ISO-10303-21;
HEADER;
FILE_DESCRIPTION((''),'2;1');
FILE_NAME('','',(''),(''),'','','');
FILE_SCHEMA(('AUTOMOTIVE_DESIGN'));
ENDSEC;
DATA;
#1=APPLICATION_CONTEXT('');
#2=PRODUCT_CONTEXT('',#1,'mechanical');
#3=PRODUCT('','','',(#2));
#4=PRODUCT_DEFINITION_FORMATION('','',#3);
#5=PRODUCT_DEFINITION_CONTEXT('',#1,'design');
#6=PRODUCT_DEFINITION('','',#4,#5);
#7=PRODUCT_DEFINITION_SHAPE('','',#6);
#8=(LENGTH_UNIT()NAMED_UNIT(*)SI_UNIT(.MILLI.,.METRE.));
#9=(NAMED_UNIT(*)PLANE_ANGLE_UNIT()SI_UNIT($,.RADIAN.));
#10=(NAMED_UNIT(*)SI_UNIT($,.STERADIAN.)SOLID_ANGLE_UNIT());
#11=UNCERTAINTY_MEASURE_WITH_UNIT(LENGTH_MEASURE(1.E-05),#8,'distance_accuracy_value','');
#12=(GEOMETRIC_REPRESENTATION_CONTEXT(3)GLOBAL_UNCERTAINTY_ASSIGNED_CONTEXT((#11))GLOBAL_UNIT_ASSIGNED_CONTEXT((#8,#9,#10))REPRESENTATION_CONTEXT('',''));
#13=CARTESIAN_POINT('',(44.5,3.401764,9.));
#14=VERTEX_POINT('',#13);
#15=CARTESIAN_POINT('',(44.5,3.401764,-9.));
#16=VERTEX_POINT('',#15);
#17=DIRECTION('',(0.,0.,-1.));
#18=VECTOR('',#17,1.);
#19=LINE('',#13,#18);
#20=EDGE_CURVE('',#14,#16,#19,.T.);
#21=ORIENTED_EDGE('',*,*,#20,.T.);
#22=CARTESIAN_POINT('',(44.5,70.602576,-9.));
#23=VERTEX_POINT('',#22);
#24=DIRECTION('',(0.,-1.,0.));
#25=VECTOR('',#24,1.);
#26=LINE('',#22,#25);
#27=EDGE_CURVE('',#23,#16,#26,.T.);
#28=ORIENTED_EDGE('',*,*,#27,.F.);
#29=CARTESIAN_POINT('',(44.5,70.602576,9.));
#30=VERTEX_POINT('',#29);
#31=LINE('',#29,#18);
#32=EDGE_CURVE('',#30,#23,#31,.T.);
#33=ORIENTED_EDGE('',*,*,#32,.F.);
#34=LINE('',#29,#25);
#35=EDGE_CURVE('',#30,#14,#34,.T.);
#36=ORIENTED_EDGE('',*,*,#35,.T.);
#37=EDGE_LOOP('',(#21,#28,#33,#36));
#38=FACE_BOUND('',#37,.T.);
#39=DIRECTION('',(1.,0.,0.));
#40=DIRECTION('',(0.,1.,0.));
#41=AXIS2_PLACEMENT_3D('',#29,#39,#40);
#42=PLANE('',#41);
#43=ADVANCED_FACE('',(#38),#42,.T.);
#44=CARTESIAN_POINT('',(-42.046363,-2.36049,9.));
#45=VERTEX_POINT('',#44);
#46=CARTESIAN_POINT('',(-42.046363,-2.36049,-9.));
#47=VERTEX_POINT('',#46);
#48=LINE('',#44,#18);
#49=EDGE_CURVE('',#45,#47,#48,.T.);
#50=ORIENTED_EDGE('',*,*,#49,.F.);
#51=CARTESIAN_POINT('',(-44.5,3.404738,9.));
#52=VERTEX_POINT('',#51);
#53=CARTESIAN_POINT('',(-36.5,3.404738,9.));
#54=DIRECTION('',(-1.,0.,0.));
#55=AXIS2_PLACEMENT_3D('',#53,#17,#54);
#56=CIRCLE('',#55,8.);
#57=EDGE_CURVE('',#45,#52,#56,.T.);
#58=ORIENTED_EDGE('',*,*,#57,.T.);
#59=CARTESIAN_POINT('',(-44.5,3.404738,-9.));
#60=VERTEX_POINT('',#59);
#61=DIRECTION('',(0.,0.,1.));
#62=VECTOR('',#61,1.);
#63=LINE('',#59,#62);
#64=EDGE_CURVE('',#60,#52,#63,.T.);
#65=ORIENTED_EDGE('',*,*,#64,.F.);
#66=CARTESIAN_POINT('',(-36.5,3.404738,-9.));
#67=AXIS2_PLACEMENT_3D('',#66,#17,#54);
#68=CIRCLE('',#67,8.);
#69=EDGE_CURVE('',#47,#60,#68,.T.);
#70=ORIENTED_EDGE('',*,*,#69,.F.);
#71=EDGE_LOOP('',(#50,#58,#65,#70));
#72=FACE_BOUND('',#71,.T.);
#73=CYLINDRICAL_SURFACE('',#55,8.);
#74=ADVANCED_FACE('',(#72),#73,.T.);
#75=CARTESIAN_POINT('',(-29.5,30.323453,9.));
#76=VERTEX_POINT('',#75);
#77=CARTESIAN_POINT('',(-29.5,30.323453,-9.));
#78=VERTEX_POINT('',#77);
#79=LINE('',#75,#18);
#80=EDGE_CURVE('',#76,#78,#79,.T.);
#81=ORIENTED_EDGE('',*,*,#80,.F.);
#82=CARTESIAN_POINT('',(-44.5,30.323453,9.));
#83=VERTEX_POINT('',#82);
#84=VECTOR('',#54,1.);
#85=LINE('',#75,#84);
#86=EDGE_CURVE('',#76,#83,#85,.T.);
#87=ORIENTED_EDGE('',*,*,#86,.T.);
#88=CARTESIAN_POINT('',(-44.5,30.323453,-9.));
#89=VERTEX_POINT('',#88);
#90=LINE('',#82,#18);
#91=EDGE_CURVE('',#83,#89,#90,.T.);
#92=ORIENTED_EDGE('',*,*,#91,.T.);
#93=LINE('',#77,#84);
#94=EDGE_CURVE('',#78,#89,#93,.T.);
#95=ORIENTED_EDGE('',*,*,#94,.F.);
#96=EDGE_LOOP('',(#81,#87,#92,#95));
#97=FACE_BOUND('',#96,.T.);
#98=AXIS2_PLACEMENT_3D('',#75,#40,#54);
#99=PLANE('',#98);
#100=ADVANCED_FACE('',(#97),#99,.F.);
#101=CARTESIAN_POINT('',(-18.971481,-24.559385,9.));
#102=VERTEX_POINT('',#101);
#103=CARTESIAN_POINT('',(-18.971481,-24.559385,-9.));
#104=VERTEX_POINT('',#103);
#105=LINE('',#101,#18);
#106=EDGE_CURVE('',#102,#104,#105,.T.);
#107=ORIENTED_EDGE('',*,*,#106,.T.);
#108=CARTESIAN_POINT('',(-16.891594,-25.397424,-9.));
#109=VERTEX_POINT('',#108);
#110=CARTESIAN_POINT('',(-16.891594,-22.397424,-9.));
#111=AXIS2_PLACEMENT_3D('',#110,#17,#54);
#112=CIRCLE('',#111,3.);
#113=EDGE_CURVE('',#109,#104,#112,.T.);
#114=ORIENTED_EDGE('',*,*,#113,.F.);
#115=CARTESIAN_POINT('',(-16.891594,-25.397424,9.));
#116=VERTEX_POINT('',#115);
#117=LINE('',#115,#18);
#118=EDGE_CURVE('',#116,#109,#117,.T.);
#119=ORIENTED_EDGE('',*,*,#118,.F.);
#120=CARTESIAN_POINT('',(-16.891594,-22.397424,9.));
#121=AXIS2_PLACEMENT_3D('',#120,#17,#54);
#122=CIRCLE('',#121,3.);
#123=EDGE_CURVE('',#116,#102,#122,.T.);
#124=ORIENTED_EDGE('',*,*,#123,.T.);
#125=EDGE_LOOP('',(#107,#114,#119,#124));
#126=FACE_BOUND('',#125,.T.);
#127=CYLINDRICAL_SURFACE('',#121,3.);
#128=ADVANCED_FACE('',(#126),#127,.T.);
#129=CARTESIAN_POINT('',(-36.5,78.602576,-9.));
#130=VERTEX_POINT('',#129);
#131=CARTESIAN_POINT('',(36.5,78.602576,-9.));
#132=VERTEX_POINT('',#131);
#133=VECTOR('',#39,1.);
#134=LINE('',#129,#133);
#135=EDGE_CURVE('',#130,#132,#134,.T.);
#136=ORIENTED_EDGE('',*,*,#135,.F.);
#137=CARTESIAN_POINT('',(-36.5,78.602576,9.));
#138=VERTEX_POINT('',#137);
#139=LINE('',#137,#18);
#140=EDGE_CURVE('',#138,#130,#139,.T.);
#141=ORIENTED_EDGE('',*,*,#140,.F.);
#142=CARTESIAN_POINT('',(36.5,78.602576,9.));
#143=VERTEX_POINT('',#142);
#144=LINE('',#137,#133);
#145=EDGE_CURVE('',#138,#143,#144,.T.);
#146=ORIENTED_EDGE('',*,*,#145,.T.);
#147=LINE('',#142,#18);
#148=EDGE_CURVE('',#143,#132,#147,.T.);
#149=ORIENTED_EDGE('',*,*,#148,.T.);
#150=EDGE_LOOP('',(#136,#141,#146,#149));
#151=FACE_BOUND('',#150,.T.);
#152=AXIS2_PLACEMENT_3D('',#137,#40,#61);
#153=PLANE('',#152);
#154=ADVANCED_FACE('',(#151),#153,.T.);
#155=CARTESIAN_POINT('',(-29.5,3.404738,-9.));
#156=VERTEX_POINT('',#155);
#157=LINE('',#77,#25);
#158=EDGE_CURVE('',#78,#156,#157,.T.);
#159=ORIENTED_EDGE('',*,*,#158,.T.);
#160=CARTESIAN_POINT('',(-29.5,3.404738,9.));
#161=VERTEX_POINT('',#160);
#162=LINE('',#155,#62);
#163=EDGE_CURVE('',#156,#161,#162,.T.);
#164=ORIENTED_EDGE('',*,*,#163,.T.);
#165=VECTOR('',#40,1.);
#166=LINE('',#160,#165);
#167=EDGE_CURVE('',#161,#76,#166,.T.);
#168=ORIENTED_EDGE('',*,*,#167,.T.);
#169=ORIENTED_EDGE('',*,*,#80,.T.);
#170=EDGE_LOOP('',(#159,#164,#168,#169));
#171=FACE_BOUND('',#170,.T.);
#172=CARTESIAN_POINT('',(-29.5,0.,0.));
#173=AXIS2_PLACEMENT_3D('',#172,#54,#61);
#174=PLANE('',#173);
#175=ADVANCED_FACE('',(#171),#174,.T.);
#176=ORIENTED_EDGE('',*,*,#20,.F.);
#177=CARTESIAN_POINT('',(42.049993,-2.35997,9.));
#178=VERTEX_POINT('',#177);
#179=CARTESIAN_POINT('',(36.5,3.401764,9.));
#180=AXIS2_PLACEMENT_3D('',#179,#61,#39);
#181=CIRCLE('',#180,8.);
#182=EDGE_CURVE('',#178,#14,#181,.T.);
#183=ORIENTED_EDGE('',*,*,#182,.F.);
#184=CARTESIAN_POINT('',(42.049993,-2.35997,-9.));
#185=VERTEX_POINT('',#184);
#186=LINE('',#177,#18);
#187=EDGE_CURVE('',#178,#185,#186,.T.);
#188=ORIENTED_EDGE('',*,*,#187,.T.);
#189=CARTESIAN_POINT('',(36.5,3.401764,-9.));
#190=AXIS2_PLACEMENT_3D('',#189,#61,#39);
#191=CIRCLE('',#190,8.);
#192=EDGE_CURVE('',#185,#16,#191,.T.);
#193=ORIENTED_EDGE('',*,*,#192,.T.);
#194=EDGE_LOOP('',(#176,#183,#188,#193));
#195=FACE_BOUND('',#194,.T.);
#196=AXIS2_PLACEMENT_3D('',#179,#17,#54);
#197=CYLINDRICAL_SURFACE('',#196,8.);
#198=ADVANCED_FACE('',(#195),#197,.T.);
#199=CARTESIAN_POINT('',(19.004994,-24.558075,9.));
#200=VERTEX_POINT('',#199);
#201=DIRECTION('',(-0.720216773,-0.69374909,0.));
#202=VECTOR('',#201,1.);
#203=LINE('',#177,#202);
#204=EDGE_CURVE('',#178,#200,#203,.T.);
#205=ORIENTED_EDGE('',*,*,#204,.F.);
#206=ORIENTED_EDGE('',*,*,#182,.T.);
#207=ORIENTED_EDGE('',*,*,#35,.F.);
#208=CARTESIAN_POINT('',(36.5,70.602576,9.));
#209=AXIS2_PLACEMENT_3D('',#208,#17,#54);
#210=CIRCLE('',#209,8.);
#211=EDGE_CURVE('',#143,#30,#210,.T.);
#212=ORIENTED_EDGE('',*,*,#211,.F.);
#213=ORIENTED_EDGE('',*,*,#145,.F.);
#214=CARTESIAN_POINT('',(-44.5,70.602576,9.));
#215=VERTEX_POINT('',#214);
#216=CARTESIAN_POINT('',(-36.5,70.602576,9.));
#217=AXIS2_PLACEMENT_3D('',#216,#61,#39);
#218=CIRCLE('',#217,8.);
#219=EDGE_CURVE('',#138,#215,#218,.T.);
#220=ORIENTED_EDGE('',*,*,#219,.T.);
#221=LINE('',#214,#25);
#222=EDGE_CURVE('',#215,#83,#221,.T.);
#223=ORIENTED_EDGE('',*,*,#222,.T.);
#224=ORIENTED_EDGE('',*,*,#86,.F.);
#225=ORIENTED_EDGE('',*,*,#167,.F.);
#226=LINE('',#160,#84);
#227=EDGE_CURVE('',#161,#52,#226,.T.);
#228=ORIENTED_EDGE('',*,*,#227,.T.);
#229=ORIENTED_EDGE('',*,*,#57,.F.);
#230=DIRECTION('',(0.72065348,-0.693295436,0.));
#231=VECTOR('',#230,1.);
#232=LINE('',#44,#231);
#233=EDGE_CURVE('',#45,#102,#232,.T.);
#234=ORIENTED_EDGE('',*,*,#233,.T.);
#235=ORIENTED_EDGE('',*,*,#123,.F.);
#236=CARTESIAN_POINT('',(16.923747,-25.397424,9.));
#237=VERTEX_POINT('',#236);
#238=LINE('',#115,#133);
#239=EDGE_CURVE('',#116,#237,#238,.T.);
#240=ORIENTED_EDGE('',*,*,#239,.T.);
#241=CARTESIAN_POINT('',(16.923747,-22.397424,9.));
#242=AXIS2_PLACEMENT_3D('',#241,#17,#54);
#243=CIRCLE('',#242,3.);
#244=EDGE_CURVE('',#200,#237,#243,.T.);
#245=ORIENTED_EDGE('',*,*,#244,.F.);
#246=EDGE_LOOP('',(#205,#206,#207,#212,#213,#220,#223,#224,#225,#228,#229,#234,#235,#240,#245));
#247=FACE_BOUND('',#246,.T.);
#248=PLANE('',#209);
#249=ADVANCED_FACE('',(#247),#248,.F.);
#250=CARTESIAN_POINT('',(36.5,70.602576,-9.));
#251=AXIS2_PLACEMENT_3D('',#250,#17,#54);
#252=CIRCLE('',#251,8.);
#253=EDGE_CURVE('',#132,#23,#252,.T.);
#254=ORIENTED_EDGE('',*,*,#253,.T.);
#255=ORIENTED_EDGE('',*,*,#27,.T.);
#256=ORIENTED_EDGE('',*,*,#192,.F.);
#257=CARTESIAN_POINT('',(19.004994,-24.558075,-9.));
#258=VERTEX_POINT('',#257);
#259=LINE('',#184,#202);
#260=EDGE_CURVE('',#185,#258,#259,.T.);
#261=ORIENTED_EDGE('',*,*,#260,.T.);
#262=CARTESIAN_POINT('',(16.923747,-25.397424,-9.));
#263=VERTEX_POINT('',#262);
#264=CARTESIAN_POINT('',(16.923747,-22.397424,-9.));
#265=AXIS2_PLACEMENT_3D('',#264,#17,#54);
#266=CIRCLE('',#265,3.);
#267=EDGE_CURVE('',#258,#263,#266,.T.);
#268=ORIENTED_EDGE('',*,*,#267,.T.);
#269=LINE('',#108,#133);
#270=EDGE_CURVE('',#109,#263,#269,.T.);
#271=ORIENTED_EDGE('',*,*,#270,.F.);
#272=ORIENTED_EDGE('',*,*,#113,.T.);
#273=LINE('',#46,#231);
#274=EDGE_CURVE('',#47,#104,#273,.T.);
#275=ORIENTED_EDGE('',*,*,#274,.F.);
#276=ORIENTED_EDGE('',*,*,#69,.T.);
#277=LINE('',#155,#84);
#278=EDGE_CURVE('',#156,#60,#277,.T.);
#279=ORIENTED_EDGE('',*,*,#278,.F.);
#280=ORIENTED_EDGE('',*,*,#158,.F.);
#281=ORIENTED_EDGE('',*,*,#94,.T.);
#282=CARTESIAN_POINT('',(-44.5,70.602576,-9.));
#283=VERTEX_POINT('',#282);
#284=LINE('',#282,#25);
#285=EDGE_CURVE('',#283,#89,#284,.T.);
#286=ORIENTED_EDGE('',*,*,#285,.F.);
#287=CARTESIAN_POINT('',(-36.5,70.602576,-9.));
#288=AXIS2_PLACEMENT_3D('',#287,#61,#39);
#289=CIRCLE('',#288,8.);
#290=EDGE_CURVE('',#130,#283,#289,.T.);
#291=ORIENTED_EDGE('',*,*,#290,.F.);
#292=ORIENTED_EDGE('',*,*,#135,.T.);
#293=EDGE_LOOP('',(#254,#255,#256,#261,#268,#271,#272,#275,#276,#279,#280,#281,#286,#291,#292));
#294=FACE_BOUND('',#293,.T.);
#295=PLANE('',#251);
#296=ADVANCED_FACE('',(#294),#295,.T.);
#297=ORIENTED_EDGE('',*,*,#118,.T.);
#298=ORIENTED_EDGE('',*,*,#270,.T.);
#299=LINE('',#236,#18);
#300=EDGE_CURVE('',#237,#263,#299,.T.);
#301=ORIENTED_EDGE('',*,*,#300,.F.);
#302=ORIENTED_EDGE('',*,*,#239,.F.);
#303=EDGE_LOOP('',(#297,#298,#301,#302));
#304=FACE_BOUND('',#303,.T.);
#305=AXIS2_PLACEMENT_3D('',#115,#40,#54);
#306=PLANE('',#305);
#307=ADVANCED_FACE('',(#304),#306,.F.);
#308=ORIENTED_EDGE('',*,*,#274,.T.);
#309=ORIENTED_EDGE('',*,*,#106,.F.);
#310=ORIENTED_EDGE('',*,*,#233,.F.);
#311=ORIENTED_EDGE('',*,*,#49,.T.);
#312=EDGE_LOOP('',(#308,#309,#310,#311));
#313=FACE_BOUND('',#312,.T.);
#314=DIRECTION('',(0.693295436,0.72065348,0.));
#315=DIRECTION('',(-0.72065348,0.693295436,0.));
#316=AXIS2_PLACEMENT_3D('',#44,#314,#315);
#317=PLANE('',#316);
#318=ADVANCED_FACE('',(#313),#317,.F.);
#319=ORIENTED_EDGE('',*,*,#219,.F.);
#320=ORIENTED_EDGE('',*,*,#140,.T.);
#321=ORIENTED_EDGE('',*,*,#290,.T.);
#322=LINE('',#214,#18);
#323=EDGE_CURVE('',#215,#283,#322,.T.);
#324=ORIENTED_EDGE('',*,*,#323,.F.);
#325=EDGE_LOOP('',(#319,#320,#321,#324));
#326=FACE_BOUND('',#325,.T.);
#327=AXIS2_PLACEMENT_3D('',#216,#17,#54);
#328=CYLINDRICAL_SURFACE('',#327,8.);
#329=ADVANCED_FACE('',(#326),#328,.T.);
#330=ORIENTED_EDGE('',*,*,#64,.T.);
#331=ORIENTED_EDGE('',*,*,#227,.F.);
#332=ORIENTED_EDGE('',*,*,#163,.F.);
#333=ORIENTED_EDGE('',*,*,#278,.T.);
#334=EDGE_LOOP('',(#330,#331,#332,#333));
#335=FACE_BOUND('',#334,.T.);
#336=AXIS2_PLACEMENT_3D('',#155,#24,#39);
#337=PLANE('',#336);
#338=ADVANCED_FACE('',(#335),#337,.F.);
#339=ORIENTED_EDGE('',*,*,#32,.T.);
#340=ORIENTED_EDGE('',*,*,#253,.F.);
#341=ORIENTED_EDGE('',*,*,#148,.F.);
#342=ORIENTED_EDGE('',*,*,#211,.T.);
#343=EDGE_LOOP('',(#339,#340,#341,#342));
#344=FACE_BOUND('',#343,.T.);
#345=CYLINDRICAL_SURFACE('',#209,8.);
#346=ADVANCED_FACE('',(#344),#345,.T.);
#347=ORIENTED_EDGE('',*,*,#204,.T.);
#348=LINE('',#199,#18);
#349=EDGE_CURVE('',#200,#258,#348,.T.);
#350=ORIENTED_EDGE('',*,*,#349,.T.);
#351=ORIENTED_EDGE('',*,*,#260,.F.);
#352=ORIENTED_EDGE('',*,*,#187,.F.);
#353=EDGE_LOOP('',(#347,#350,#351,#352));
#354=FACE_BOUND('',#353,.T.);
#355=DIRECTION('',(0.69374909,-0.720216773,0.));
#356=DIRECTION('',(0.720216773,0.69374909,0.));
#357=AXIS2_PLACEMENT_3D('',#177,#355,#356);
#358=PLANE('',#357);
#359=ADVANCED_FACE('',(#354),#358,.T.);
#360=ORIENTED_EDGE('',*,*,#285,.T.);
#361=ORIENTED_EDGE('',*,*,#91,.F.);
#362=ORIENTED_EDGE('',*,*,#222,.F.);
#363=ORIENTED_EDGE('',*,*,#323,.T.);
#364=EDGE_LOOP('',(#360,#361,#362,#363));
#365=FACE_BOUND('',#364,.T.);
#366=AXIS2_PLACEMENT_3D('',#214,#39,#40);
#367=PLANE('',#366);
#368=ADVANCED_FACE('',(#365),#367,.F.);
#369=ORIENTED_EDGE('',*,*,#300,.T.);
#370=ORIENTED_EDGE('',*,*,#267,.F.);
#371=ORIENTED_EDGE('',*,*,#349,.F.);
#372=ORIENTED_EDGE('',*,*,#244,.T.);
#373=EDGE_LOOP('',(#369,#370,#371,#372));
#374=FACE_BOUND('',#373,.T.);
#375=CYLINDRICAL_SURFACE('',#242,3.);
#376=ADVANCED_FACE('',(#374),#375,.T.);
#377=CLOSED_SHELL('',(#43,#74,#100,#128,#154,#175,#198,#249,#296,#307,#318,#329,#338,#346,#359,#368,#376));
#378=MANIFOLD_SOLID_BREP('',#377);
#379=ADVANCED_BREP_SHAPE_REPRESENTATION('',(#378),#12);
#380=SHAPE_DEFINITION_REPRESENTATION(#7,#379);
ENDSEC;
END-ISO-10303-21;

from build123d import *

# Parameters (mm, degrees)
PALM_BODY_DEPTH     = 9
SKETCH7_W           = 18
SKETCH7_H           = 26.918715159
BOSS_EXTRUDE1_DEPTH = 15


with BuildPart() as part:
    # Palm_sketch → Palm_Body (new, symmetric)
    with BuildSketch(Plane.XY):
        with BuildLine():
            Line((-36.5, 78.60257579), (36.5, 78.60257579))
            ThreePointArc((36.5, 78.60257579), (42.156854249, 76.259430039), (44.5, 70.60257579))
            Line((44.5, 70.60257579), (44.5, 3.401763707))
            ThreePointArc((44.5, 3.401763707), (43.86206295, 0.271263888), (42.04999272, -2.359970476))
            Line((42.04999272, -2.359970476), (19.004994037, -24.558074529))
            ThreePointArc((19.004994037, -24.558074529), (18.045809386, -25.179685068), (16.923746767, -25.39742421))
            Line((16.923746767, -25.39742421), (-16.891594266, -25.39742421))
            ThreePointArc((-16.891594266, -25.39742421), (-18.012780844, -25.180038208), (-18.971480575, -24.55938465))
            Line((-18.971480575, -24.55938465), (-42.04636349, -2.360489531))
            ThreePointArc((-42.04636349, -2.360489531), (-43.861076957, 0.27192072), (-44.5, 3.404738308))
            Line((-44.5, 3.404738308), (-44.5, 70.60257579))
            ThreePointArc((-44.5, 70.60257579), (-42.156854249, 76.259430039), (-36.5, 78.60257579))
        make_face()
    extrude(amount=PALM_BODY_DEPTH, both=True)


with BuildPart() as body_2:
    # Sketch7 → Boss-Extrude1 (new body)
    with BuildSketch(Plane.ZY.offset(44.5)):
        with Locations((0, 16.864095887)):
            Rectangle(SKETCH7_W, SKETCH7_H)
    extrude(amount=-BOSS_EXTRUDE1_DEPTH)


with BuildPart() as part_1:
    add(part.part)

    # Combine1: cut body 2
    add(body_2.part, mode=Mode.SUBTRACT)


solid = part_1.part
